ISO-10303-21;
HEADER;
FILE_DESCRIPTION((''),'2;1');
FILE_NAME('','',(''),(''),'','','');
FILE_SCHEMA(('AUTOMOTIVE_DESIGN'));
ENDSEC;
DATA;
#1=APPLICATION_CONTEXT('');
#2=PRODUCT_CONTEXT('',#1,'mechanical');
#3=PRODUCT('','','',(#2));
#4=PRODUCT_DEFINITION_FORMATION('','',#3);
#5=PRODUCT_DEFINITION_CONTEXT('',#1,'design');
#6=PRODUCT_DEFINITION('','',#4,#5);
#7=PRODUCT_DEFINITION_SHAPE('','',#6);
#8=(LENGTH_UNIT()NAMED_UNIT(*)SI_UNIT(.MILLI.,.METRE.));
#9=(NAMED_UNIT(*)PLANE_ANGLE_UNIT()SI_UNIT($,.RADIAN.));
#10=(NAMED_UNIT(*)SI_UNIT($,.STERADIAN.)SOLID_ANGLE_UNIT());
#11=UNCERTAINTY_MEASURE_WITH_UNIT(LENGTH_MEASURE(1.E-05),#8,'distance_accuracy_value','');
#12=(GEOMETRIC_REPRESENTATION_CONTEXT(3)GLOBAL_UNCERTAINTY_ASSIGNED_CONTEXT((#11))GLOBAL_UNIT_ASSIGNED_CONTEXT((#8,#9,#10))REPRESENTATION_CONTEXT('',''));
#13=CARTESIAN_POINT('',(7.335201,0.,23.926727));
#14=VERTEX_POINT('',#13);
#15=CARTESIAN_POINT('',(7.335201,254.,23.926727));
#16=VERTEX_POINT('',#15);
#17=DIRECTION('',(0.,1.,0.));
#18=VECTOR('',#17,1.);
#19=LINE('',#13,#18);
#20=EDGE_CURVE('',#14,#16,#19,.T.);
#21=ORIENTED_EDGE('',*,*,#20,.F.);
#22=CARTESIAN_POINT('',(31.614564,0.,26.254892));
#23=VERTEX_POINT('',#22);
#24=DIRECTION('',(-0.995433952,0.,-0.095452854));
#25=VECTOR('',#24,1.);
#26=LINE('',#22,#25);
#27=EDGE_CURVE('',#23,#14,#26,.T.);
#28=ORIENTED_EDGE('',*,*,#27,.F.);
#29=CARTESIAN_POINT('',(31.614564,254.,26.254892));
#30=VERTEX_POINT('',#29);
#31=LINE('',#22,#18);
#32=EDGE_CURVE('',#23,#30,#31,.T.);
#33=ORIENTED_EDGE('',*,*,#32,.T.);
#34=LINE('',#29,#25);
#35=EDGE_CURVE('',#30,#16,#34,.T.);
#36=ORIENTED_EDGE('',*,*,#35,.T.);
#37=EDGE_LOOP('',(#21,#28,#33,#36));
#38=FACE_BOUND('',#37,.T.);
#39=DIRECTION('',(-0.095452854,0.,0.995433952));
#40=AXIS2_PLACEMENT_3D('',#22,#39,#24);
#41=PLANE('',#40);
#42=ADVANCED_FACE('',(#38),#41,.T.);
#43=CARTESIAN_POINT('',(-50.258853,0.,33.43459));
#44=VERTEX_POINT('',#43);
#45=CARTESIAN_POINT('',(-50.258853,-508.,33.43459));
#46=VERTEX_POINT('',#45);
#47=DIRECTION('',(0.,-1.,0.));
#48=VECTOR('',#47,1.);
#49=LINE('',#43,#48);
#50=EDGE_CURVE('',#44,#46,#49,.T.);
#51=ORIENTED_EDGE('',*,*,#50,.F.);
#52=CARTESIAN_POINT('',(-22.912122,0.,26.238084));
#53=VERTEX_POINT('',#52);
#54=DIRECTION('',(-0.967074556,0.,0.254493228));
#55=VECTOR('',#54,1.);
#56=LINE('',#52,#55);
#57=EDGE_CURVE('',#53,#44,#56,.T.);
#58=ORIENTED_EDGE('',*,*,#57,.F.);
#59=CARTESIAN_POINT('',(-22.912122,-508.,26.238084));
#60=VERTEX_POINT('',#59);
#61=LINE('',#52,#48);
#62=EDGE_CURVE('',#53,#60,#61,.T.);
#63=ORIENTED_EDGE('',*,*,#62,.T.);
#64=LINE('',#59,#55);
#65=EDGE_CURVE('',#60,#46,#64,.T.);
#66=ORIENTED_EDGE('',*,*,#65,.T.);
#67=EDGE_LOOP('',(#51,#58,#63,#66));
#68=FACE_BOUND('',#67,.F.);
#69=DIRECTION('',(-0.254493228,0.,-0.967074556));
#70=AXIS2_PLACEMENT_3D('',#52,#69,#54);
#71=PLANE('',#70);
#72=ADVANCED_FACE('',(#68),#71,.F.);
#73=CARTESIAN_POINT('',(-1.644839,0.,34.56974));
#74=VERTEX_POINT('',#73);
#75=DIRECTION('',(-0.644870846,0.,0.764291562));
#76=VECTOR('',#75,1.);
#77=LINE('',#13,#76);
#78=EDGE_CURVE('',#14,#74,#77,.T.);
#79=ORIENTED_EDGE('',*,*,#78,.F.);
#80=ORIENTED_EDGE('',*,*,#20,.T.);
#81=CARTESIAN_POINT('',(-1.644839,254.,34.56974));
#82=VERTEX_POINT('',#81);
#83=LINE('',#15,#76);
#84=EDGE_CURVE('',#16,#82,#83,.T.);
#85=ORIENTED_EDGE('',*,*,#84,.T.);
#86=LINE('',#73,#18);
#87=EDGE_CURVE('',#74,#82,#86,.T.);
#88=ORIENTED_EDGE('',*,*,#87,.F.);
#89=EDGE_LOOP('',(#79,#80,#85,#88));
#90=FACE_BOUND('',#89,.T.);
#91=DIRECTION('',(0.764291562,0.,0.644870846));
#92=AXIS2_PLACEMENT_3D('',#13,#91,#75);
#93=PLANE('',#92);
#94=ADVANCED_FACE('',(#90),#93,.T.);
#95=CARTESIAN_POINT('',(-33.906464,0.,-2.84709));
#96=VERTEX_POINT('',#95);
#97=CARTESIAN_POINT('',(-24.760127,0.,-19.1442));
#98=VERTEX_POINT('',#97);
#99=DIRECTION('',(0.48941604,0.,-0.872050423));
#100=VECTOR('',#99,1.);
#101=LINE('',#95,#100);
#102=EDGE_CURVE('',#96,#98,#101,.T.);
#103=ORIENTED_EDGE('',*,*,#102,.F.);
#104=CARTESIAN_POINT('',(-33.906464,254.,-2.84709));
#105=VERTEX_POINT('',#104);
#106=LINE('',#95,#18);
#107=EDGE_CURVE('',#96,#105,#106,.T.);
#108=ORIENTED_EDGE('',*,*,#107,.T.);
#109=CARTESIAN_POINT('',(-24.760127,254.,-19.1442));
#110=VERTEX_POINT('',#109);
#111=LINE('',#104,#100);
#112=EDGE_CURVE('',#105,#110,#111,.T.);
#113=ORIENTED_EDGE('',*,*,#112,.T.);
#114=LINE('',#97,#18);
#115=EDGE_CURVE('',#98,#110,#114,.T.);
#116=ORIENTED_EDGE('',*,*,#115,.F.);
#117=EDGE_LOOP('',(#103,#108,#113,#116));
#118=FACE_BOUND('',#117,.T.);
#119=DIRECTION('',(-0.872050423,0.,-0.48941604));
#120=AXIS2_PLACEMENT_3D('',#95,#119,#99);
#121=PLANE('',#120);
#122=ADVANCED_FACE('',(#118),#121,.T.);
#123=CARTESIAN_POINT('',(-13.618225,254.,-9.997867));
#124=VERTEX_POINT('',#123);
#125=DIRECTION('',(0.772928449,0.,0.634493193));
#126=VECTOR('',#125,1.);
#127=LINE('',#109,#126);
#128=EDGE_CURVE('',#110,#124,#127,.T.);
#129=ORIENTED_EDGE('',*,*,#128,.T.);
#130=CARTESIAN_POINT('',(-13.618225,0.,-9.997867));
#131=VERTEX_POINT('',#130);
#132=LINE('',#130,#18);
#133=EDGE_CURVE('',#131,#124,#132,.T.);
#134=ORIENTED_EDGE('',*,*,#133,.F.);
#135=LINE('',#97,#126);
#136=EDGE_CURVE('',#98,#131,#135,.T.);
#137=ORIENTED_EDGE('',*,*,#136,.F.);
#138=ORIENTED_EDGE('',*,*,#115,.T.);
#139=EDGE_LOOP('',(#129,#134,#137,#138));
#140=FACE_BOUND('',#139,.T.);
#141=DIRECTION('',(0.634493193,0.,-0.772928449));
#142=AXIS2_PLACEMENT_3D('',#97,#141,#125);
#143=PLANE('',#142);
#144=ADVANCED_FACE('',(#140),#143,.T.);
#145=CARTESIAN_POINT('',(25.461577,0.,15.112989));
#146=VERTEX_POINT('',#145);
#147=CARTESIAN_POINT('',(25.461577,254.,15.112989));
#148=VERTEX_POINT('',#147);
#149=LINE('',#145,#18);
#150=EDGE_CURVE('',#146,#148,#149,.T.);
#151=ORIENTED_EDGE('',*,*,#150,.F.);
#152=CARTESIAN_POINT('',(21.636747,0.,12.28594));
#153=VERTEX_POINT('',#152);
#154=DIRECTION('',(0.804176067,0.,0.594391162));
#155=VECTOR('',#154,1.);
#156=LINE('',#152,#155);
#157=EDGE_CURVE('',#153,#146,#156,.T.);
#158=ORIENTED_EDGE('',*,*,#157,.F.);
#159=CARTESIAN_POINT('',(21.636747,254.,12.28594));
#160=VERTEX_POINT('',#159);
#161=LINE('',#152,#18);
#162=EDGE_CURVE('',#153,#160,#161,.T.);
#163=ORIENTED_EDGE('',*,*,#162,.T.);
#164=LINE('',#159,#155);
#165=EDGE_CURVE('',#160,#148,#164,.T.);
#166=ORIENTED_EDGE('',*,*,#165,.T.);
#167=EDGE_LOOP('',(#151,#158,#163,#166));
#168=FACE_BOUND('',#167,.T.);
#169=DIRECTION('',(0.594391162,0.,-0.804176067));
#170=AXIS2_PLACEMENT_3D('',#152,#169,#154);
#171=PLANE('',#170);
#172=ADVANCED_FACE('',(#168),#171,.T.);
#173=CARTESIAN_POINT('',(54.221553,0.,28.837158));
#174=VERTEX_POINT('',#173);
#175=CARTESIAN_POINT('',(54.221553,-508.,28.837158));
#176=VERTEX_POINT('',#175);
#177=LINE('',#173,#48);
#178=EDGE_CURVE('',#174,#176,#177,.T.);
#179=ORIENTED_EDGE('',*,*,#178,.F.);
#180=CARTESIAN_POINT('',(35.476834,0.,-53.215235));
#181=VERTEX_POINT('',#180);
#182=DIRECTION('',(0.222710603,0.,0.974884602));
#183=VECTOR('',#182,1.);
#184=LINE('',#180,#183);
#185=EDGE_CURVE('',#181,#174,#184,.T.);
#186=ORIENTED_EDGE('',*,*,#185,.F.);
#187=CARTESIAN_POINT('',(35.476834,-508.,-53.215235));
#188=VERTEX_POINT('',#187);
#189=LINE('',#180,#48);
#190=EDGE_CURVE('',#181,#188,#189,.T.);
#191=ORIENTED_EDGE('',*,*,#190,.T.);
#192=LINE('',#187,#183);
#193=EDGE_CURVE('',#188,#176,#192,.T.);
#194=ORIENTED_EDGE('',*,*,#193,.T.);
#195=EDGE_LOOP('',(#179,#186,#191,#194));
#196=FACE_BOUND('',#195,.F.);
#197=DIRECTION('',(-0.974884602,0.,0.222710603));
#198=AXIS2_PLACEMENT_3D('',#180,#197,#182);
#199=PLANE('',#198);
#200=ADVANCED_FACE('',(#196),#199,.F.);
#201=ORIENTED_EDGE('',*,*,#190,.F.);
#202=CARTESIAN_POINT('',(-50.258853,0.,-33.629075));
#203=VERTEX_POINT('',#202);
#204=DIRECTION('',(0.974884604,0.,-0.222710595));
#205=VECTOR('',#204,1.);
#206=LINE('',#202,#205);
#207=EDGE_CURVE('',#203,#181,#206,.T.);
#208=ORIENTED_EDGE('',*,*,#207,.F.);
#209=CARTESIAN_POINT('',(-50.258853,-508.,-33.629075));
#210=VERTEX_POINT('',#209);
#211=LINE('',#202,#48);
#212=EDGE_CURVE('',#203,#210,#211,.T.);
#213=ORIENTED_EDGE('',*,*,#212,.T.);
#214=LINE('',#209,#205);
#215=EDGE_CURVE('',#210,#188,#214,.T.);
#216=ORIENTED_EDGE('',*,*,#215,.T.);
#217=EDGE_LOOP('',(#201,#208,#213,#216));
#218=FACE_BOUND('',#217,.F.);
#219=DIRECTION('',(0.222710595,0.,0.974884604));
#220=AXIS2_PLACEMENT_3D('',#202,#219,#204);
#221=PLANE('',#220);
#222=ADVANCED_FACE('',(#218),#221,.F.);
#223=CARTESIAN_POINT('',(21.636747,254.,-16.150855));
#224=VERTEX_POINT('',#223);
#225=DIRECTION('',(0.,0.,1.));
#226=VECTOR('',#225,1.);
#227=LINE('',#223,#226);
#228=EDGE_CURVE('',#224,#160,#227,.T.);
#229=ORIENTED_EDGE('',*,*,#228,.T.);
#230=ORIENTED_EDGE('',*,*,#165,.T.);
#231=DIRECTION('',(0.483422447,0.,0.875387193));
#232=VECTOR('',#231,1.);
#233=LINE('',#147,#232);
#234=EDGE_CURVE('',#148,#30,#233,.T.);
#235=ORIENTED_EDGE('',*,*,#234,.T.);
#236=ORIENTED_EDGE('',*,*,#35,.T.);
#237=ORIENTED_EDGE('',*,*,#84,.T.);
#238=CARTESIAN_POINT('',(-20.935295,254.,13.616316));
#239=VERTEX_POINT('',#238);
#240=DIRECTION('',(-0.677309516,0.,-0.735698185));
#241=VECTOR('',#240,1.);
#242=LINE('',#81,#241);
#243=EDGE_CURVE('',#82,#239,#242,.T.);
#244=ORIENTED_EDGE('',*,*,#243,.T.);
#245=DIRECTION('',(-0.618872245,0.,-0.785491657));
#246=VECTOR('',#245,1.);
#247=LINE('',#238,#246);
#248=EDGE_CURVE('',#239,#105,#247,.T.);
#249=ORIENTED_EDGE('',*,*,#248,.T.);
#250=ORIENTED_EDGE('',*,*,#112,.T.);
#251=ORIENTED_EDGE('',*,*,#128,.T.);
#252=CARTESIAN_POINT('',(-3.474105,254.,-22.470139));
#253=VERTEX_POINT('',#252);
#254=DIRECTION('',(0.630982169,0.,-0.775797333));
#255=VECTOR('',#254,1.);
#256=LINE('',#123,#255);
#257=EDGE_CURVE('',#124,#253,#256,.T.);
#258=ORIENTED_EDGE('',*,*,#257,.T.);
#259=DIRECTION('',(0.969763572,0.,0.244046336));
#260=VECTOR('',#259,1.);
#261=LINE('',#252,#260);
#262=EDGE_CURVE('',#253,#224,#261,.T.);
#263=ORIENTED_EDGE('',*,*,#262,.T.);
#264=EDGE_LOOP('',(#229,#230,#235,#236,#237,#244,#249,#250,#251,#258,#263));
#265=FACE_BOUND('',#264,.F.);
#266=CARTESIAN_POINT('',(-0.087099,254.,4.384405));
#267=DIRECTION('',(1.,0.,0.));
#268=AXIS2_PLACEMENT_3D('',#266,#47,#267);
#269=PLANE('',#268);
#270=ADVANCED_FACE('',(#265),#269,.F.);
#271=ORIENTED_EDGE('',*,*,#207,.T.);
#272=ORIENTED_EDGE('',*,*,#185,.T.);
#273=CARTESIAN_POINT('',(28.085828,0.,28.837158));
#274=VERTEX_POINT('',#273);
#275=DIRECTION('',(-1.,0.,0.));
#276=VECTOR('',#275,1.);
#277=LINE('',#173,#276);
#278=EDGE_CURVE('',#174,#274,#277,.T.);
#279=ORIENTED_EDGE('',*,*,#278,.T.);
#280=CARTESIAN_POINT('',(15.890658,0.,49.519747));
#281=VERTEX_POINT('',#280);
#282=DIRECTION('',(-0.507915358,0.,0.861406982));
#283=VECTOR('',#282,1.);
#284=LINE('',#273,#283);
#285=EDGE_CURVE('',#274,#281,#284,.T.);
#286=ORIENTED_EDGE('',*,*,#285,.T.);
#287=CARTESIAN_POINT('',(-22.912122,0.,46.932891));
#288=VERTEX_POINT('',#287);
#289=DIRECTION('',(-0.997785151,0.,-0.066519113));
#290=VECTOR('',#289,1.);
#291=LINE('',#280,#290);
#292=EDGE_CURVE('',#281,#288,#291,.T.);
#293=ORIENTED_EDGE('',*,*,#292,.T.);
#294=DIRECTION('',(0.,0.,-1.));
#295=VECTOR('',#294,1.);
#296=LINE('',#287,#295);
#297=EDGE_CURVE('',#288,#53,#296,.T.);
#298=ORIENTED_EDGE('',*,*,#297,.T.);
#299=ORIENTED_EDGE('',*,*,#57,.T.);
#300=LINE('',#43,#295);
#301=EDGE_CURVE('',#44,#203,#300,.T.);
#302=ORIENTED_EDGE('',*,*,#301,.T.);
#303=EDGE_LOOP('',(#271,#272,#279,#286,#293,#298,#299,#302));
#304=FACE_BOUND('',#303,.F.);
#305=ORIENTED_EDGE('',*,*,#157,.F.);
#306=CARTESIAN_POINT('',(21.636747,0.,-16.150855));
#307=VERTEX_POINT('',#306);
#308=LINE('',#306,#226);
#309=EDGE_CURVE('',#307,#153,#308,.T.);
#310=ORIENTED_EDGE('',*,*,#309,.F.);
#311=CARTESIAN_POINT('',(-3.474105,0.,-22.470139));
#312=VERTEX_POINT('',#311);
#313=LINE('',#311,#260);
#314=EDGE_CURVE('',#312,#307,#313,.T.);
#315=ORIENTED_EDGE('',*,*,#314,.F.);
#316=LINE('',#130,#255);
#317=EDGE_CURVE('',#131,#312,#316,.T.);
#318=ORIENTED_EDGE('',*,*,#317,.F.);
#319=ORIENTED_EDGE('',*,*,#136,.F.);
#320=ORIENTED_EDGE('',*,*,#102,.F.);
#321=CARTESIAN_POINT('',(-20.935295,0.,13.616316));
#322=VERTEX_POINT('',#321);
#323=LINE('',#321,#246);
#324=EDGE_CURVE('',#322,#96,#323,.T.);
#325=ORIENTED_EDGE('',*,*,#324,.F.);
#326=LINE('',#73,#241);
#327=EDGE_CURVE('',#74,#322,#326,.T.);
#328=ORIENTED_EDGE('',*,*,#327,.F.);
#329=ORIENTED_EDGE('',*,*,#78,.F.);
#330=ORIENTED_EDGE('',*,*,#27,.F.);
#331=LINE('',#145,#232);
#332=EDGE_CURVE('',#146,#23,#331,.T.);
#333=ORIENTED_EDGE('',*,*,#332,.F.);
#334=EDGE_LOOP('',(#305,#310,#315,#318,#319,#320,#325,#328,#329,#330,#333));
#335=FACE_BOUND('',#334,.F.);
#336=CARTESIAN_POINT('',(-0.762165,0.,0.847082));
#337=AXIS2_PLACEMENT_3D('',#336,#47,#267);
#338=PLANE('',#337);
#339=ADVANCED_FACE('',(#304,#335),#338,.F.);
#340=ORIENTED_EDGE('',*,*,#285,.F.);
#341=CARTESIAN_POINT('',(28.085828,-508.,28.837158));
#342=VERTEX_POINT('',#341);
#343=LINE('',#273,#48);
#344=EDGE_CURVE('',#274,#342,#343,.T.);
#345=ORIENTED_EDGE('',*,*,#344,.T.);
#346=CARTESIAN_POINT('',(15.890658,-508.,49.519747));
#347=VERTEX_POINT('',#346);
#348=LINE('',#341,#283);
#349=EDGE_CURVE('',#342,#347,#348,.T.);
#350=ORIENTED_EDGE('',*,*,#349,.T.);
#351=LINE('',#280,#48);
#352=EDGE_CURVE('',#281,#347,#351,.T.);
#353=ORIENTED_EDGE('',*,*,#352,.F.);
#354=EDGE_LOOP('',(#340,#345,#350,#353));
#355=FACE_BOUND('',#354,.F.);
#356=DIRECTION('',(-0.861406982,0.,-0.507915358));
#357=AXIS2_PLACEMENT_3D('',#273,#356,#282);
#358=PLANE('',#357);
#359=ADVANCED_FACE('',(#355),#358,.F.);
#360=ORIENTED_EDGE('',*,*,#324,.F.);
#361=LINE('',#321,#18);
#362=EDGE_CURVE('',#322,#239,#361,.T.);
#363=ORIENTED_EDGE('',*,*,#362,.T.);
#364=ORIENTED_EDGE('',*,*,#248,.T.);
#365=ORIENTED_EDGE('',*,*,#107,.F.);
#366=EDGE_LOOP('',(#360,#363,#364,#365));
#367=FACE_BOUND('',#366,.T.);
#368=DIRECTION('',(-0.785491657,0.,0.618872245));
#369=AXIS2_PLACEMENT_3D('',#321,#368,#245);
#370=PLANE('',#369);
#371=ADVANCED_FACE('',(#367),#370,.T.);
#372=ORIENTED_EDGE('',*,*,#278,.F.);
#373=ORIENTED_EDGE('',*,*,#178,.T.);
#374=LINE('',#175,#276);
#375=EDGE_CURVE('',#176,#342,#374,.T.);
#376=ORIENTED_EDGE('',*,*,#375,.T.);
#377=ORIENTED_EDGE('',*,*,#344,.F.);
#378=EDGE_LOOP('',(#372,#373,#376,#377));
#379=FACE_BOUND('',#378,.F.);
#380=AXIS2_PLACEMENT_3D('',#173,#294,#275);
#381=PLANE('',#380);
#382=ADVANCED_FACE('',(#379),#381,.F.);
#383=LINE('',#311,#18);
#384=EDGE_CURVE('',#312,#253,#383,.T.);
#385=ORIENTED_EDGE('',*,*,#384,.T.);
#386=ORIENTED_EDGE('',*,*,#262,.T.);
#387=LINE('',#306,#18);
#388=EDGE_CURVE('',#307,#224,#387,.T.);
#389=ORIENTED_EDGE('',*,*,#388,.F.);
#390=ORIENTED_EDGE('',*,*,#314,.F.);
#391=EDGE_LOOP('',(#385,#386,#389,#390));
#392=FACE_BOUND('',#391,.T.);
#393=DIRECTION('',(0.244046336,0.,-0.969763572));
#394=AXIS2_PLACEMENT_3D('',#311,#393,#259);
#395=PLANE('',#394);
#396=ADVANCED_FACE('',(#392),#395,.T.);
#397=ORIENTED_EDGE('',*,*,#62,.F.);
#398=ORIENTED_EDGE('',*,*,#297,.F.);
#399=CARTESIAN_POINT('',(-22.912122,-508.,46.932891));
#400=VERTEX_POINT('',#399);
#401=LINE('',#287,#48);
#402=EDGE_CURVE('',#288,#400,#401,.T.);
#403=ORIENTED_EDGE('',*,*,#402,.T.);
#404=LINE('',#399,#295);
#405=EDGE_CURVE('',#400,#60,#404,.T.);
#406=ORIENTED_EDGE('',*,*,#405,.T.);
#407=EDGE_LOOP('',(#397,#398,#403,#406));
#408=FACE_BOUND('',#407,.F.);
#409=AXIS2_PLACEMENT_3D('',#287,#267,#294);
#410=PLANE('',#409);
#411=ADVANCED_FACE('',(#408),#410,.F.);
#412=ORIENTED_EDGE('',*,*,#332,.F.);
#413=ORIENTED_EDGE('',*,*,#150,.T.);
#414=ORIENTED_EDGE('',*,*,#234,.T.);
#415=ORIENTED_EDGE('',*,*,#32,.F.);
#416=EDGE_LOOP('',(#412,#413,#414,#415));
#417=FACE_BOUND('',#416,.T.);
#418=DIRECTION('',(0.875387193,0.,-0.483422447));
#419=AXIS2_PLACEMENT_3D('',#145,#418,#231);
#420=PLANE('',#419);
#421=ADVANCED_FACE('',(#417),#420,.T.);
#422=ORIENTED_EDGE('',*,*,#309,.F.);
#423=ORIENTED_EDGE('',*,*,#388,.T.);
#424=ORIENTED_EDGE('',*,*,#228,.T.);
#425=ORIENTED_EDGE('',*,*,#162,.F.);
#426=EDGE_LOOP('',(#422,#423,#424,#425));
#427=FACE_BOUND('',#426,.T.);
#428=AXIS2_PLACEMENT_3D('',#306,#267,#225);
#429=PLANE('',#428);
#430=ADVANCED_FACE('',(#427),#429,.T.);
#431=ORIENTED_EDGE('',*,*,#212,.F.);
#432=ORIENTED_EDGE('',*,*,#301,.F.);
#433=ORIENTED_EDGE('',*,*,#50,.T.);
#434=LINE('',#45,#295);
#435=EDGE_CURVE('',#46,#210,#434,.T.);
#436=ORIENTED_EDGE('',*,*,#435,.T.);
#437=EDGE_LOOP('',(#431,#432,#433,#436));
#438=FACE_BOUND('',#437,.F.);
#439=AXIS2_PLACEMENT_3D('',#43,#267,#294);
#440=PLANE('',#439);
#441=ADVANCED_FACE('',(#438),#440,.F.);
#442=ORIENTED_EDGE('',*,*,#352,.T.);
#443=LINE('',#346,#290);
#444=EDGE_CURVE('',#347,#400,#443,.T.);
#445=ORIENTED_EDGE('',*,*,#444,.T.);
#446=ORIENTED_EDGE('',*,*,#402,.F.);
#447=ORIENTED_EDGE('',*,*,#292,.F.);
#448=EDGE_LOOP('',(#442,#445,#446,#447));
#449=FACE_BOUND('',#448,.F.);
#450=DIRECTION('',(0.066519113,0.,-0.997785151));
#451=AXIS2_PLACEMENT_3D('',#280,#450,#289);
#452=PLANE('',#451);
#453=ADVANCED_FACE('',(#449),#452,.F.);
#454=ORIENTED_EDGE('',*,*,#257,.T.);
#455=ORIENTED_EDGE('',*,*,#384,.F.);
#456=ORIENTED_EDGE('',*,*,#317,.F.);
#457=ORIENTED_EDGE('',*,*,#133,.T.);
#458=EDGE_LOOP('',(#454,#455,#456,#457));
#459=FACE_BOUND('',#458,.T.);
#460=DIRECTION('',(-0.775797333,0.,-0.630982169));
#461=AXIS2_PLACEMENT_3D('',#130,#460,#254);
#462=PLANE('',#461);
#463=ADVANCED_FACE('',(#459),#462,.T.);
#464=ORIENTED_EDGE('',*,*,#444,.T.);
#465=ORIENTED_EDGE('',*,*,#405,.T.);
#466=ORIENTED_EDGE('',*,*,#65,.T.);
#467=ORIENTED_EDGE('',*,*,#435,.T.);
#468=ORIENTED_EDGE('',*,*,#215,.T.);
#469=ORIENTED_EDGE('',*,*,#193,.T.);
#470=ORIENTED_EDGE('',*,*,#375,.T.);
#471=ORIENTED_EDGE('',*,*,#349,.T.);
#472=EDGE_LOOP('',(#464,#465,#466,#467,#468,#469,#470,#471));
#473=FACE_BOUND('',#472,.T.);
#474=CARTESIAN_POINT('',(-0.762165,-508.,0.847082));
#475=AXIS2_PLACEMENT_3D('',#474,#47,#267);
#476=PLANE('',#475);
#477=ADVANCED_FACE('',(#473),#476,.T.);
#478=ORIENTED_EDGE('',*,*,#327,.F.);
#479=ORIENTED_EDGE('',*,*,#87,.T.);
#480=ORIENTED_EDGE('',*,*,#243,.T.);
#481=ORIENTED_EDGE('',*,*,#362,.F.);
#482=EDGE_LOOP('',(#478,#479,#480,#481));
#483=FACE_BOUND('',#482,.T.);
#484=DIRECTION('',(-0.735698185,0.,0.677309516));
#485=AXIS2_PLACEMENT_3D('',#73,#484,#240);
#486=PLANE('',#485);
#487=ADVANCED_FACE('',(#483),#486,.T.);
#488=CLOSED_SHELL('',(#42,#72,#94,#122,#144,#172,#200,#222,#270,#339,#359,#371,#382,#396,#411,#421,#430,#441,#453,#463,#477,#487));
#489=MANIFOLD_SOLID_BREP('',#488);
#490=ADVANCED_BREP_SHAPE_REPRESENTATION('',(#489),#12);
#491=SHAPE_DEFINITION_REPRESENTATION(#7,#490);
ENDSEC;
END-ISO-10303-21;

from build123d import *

# Parameters (mm, degrees)
F1_DEPTH = 508
F3_DEPTH = 254
F5_DEPTH = 254


with BuildPart() as f1:
    # F0 (on Front) → F1 (new body)
    with BuildSketch(Plane.XZ):
        Polygon((-22.912122, 26.238084), (-50.258853, 33.43459), (-50.258853, -33.629075), (35.476834, -53.215235), (54.221553, 28.837158), (28.085828, 28.837158), (15.890658, 49.519747), (-22.912122, 46.932891), align=None)
    extrude(amount=F1_DEPTH)

    # F2 (on face) → F3 (join)
    with BuildSketch(Plane(origin=(0, 0, 0), x_dir=(-1, 0, 0), z_dir=(0, 1, 0))):
        Polygon((28.587002, 10.809334), (-5.875511, 11.1418), (-6.94721, 10.140639), (-24.068851, 12.258933), (-25.929179, -8.414216), (0, -22.702822), (16.708504, -22.702822), (31.25754, -10.755406), align=None)
    extrude(amount=-F3_DEPTH)

    # F4 (on Front) → F5 (join)
    with BuildSketch(Plane.XZ):
        Polygon((21.636747, -16.150855), (21.636747, 12.28594), (25.461577, 15.112989), (31.614564, 26.254892), (7.335201, 23.926727), (-1.644839, 34.56974), (-20.935295, 13.616316), (-33.906464, -2.84709), (-24.760127, -19.1442), (-13.618225, -9.997867), (-3.474105, -22.470139), align=None)
    extrude(amount=-F5_DEPTH)


solid = f1.part
